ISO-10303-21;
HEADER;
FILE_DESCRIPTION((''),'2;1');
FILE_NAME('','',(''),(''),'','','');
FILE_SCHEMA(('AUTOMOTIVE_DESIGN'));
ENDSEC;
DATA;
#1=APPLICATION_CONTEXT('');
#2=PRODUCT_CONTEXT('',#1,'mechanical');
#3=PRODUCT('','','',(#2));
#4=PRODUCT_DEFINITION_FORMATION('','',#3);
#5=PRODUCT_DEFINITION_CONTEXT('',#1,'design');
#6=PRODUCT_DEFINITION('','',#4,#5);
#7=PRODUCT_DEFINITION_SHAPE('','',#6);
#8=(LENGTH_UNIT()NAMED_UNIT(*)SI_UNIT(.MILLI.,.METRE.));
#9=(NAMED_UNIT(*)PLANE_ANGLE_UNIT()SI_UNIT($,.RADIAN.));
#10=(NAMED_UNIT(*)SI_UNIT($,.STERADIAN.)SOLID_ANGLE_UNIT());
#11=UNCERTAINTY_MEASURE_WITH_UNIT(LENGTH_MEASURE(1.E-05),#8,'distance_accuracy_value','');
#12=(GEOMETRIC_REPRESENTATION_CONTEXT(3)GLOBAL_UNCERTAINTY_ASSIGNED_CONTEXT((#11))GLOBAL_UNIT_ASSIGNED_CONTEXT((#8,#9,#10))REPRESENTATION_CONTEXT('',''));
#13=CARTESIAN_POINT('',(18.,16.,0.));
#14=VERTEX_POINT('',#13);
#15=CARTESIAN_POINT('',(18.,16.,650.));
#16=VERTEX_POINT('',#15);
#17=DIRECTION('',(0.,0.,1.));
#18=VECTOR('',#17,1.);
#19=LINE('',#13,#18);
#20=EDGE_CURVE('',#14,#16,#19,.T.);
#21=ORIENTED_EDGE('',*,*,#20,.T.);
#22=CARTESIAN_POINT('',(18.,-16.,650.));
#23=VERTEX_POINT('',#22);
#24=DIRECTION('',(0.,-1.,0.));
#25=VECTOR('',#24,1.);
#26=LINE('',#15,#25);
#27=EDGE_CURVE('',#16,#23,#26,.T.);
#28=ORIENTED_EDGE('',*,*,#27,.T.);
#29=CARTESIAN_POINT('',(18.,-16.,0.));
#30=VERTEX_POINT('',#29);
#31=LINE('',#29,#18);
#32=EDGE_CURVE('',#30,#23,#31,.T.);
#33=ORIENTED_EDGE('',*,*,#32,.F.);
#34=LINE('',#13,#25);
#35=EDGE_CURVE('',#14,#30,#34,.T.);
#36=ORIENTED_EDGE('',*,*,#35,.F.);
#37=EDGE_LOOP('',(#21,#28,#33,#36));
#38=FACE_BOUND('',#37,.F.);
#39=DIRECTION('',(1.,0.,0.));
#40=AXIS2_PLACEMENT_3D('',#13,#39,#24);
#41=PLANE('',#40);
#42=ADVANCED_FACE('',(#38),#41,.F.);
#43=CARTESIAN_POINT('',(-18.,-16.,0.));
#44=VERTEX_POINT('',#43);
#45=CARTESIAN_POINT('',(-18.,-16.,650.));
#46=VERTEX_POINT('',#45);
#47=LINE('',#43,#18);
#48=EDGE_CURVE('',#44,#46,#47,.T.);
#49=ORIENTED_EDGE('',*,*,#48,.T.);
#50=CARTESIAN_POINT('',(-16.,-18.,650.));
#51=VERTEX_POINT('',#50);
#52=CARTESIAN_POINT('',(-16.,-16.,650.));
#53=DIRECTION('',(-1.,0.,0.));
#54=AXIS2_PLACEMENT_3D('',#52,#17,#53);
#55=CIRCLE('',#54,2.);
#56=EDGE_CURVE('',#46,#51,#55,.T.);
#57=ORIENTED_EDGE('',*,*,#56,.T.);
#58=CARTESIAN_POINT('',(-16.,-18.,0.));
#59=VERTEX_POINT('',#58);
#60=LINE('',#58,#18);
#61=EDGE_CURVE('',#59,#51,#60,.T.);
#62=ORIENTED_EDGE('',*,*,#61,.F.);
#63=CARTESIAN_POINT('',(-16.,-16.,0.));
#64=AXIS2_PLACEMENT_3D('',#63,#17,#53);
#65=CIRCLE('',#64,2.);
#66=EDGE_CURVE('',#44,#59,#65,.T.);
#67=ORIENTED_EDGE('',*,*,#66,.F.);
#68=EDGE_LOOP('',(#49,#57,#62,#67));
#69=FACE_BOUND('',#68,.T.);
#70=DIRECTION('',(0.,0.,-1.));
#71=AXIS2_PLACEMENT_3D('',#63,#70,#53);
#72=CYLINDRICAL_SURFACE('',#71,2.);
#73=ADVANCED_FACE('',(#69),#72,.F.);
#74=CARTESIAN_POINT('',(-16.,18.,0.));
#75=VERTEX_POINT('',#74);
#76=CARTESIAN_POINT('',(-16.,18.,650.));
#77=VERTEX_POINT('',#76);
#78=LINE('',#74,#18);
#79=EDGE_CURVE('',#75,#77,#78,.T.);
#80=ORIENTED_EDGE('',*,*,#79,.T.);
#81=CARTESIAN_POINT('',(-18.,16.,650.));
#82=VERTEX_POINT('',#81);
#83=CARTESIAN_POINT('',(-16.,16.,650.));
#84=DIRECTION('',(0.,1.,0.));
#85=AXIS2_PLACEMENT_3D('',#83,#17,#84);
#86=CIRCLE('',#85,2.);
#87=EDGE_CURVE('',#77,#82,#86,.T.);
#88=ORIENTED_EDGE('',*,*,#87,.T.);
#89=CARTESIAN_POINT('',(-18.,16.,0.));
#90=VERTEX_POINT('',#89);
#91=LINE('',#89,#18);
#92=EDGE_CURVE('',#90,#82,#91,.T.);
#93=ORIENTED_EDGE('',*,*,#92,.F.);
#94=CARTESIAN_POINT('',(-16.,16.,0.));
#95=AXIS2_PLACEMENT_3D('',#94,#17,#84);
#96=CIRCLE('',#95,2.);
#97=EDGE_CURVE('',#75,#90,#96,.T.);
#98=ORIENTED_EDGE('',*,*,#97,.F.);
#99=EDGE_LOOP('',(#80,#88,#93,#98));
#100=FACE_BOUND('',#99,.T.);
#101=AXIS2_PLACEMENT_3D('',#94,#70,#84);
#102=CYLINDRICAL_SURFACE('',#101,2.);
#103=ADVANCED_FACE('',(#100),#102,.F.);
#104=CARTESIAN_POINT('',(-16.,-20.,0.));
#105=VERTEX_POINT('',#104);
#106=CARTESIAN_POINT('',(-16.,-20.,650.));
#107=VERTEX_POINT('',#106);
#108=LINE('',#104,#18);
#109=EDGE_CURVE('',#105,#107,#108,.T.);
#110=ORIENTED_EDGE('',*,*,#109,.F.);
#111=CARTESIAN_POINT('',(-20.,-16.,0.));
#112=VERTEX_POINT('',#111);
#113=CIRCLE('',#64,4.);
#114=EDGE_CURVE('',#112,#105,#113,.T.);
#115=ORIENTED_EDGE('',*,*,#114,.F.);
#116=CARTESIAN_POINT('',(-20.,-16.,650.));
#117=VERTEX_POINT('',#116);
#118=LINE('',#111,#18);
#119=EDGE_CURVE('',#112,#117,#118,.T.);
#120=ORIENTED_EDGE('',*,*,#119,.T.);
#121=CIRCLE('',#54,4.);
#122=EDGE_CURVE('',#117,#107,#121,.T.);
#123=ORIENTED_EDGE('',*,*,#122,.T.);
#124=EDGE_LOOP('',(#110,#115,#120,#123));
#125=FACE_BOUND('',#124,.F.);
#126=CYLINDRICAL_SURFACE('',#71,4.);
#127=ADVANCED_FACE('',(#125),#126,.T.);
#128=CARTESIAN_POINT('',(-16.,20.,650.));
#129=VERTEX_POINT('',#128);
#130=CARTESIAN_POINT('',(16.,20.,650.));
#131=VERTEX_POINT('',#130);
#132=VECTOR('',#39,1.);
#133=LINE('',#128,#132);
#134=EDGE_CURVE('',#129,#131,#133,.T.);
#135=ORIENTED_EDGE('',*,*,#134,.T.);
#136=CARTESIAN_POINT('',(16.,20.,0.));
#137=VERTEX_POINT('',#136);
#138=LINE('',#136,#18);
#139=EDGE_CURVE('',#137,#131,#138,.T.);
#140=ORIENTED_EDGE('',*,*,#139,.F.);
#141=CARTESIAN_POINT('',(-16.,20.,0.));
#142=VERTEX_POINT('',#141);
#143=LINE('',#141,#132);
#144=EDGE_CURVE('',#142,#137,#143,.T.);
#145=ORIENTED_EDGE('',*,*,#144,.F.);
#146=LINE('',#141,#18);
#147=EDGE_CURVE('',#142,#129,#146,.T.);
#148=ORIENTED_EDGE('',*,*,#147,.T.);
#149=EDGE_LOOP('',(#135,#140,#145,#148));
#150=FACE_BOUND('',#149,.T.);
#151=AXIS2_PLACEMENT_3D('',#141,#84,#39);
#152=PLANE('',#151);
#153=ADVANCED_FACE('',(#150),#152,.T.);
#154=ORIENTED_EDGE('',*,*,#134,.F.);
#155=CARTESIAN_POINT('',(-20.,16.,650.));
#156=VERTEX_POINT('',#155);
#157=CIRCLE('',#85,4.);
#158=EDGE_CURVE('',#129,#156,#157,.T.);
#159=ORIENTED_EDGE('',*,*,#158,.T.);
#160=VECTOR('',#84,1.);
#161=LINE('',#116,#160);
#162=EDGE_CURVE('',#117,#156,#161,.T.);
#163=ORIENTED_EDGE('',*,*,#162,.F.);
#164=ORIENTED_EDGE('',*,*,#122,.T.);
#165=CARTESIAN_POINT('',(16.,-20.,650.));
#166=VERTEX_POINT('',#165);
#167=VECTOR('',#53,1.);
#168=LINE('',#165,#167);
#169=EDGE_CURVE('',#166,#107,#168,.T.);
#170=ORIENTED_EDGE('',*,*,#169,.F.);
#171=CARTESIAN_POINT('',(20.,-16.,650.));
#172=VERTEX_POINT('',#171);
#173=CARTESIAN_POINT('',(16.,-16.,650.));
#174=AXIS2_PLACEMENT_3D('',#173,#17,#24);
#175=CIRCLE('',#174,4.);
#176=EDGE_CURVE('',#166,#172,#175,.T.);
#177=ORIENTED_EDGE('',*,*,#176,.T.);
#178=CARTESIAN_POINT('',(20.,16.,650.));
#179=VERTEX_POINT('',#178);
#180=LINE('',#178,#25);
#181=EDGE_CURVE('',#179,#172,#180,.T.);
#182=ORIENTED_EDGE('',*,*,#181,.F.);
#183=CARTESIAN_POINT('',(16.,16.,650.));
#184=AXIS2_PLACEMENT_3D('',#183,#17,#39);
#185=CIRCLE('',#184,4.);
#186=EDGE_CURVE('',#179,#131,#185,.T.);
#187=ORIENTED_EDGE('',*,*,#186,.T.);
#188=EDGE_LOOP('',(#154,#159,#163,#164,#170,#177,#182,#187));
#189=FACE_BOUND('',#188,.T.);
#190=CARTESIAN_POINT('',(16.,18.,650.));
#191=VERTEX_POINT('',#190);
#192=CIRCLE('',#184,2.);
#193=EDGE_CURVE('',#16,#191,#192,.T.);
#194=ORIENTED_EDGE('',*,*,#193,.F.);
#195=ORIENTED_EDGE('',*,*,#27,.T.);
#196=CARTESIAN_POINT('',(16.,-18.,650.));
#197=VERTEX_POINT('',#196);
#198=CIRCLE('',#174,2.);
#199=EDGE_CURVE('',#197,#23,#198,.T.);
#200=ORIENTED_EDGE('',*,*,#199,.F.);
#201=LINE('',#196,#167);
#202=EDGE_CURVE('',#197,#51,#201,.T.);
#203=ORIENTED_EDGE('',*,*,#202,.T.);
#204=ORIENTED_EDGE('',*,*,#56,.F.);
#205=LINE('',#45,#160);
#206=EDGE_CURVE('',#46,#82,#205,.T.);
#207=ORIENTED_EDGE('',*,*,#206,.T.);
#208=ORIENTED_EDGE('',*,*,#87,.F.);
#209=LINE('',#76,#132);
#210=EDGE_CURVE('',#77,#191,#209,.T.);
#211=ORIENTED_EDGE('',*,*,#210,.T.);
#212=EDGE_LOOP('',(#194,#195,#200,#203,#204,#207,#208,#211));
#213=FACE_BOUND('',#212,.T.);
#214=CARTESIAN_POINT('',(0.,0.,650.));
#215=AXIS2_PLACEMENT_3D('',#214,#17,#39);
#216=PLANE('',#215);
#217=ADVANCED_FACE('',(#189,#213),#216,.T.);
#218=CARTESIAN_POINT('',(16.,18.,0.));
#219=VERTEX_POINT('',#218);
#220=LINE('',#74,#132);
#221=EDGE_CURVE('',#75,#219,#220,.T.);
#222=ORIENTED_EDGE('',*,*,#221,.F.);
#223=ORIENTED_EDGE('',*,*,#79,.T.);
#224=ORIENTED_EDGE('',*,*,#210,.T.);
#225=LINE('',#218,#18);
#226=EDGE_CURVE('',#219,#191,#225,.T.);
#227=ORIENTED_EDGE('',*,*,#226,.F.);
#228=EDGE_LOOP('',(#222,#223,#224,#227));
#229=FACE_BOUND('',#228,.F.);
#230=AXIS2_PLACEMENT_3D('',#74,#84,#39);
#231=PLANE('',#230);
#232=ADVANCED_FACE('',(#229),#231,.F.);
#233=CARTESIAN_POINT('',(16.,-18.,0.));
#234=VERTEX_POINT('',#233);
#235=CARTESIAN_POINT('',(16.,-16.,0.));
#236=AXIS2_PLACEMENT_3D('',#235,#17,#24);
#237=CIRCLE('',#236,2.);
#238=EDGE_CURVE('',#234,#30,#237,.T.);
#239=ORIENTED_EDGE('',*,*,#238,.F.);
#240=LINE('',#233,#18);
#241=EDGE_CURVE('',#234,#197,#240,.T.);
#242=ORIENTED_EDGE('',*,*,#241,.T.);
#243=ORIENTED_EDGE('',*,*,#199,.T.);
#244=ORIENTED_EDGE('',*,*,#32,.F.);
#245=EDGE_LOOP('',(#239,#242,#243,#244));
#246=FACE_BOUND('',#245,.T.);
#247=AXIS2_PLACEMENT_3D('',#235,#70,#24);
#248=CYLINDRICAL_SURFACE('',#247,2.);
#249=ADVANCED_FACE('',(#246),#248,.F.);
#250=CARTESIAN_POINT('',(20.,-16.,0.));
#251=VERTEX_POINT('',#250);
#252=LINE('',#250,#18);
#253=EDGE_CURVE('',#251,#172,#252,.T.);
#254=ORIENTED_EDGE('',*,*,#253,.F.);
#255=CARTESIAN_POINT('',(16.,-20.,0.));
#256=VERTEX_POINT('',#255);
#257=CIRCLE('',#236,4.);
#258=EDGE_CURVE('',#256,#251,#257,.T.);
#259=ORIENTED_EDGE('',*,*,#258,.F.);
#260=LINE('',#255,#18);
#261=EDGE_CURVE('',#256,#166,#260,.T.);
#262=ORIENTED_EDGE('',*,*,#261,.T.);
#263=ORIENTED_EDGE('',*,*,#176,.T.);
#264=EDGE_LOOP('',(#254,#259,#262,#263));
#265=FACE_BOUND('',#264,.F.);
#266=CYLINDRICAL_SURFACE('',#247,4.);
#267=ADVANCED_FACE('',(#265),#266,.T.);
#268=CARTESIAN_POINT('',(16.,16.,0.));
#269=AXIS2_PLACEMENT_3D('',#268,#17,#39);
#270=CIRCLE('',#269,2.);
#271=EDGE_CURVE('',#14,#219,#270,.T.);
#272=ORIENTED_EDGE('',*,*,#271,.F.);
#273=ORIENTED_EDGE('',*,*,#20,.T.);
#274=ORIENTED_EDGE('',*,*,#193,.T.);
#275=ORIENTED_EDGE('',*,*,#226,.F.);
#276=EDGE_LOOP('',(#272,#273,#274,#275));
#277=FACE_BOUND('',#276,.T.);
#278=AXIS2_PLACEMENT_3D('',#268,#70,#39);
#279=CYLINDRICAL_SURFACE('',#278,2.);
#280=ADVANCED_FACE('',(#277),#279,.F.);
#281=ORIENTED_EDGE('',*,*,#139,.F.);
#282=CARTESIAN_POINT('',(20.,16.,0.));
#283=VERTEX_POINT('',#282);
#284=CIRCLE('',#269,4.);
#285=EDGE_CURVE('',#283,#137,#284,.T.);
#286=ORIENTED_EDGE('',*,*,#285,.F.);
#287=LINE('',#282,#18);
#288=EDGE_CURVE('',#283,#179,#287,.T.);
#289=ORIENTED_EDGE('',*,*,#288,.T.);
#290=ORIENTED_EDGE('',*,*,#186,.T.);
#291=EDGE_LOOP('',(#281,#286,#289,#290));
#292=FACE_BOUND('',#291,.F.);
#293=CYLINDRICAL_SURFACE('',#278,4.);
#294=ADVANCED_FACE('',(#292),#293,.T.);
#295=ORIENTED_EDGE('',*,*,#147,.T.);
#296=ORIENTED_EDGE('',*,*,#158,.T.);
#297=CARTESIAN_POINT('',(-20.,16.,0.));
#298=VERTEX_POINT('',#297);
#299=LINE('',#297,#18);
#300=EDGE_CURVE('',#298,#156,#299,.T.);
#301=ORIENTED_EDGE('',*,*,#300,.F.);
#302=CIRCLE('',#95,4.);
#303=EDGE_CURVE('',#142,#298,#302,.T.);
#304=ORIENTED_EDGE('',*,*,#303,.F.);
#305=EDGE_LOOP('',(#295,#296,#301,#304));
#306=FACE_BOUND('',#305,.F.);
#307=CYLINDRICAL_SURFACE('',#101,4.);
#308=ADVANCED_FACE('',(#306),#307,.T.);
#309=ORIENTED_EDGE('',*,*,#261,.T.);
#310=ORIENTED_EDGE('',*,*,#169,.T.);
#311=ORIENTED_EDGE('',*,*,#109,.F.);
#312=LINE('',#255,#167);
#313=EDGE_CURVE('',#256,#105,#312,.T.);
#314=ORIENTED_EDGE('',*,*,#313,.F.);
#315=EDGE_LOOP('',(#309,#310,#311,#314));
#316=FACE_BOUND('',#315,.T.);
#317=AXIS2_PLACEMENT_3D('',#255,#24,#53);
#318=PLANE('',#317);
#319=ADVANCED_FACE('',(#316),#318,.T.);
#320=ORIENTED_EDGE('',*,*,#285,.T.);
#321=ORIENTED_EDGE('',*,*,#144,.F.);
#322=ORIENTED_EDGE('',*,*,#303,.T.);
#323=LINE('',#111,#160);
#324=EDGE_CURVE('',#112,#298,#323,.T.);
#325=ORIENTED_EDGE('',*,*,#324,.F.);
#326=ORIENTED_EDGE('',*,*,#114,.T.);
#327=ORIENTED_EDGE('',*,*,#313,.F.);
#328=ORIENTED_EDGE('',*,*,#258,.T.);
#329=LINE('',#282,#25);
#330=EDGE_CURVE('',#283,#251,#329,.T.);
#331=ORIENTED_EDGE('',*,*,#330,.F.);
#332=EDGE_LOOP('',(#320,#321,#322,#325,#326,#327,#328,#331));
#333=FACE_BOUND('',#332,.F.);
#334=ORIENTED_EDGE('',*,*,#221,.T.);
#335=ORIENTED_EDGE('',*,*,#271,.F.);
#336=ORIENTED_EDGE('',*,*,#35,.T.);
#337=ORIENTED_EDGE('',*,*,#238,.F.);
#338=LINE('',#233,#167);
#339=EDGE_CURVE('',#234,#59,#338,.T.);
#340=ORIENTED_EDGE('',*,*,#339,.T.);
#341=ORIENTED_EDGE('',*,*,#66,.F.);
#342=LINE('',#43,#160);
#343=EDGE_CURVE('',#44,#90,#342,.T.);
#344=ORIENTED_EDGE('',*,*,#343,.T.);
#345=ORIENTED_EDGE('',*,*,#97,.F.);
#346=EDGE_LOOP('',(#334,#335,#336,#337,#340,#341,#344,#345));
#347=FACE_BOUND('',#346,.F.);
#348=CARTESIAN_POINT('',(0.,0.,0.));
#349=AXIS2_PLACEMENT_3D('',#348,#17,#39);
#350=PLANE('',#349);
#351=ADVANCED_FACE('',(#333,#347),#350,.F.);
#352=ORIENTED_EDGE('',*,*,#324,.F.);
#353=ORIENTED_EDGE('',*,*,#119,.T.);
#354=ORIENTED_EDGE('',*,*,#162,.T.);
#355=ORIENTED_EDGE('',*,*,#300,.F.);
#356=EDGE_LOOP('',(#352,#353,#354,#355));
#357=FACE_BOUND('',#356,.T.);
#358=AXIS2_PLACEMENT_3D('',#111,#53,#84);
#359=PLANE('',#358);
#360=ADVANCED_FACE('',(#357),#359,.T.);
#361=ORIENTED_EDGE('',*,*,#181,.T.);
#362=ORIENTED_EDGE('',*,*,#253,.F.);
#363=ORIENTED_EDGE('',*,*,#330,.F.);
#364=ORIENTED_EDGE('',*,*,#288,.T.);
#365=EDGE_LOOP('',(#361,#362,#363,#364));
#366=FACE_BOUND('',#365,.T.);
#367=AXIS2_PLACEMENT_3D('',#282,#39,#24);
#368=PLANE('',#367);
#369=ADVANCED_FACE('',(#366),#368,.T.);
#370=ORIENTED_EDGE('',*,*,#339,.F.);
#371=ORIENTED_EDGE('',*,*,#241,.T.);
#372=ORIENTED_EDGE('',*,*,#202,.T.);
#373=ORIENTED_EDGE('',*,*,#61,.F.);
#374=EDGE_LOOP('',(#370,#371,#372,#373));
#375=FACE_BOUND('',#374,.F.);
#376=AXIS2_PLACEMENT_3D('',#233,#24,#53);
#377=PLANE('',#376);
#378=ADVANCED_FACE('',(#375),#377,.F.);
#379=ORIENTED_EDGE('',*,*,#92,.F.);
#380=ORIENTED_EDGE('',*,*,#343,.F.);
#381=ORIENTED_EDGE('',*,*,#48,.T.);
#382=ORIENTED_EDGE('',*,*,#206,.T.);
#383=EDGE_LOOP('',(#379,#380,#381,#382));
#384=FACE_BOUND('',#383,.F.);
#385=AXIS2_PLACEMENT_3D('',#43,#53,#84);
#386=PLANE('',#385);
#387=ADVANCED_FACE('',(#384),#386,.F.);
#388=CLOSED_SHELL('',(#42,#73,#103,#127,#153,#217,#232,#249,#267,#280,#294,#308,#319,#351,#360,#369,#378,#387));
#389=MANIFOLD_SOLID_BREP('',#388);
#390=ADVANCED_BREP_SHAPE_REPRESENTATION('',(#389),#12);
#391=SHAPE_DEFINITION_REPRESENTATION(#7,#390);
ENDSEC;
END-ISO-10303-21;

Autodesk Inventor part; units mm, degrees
ref_plane "YZ Plane" through (0, 0, 0) normal (1, 0, 0) x (0, 1, 0)
ref_plane "Start plane" through (0, 0, 0) normal (0, 0, 1) x (1, 0, 0)
ref_plane "End plane" through (0, 0, 650) normal (0, 0, 1) x (1, 0, 0)
sketch "Sketch" plane through (0, 0, 0) normal (0, 0, 1) x (1, 0, 0)
  line L0 (-20, -16) -> (-20, 16)
  line L1 (-16, 20) -> (16, 20)
  line L2 (20, 16) -> (20, -16)
  line L3 (16, -20) -> (-16, -20)
  arc A0 (-20, -16) -> (-16, -20) centre (-16, -16) ccw
  arc A1 (20, 16) -> (16, 20) centre (16, 16) ccw
  arc A2 (-16, 20) -> (-20, 16) centre (-16, 16) ccw
  arc A3 (16, -20) -> (20, -16) centre (16, -16) ccw
  arc A4 (-16, 18) -> (-18, 16) centre (-16, 16) ccw
  line L4 (-16, 18) -> (16, 18)
  arc A5 (18, 16) -> (16, 18) centre (16, 16) ccw
  line L5 (18, 16) -> (18, -16)
  arc A6 (16, -18) -> (18, -16) centre (16, -16) ccw
  line L6 (16, -18) -> (-16, -18)
  arc A7 (-18, -16) -> (-16, -18) centre (-16, -16) ccw
  line L7 (-18, -16) -> (-18, 16)
  line L8 (0, 29.1598) -> (0, -29.1598) construction
  line L9 (-29.1598, 0) -> (29.1598, 0) construction
  dimension "d7" = 4
  dimension "d9" = 40
  dimension "d11" = 40
  dimension "d12" = 2
  dimension "d15" = 20
  dimension "d16" = 20
extrude "Body" add sketch "Sketch" along normal up to surface (650 mm away) from surface at 0
sketch "Sketch3" plane through (0, 0, 0) normal (0, 0, 1) x (1, 0, 0)
  line L0 (0, 0) -> (10, 0)
ref_plane "Work Plane3" through (0, 0, 0) normal (0, -1, 0) x (1, 0, 0)
sketch "Sketch4" plane through (0, 0, 0) normal (0, -1, 0) x (1, 0, 0)
  line L0 (-2, 0) -> (12, 0)
  line L1 (-2, 650) -> (12, 650)
  dimension "d18" = 650
equation "\"d7\" = G_IR"
equation "\"d9\" = G_W"
equation "\"d11\" = G_H"
equation "\"d12\" = G_T"
equation "\"d15\" = 0.5 * d9"
equation "\"d16\" = 0.5 * d11"
equation "\"d3\" = G_L"
equation "\"G_W\" = 40"
equation "\"G_H\" = 40"
equation "\"G_T\" = 2"
equation "\"G_IR\" = 4"
equation "\"G_L\" = d18"
equation "\"G_OFFSET_START\" = 0"
equation "\"G_OFFSET_END\" = 0"
equation "\"d14\" = G_OFFSET_END + B_L"
equation "\"B_L\" = 650"
properties part number "ISO 4019 - 40x40x2 - 650" material "Steel, Mild"
